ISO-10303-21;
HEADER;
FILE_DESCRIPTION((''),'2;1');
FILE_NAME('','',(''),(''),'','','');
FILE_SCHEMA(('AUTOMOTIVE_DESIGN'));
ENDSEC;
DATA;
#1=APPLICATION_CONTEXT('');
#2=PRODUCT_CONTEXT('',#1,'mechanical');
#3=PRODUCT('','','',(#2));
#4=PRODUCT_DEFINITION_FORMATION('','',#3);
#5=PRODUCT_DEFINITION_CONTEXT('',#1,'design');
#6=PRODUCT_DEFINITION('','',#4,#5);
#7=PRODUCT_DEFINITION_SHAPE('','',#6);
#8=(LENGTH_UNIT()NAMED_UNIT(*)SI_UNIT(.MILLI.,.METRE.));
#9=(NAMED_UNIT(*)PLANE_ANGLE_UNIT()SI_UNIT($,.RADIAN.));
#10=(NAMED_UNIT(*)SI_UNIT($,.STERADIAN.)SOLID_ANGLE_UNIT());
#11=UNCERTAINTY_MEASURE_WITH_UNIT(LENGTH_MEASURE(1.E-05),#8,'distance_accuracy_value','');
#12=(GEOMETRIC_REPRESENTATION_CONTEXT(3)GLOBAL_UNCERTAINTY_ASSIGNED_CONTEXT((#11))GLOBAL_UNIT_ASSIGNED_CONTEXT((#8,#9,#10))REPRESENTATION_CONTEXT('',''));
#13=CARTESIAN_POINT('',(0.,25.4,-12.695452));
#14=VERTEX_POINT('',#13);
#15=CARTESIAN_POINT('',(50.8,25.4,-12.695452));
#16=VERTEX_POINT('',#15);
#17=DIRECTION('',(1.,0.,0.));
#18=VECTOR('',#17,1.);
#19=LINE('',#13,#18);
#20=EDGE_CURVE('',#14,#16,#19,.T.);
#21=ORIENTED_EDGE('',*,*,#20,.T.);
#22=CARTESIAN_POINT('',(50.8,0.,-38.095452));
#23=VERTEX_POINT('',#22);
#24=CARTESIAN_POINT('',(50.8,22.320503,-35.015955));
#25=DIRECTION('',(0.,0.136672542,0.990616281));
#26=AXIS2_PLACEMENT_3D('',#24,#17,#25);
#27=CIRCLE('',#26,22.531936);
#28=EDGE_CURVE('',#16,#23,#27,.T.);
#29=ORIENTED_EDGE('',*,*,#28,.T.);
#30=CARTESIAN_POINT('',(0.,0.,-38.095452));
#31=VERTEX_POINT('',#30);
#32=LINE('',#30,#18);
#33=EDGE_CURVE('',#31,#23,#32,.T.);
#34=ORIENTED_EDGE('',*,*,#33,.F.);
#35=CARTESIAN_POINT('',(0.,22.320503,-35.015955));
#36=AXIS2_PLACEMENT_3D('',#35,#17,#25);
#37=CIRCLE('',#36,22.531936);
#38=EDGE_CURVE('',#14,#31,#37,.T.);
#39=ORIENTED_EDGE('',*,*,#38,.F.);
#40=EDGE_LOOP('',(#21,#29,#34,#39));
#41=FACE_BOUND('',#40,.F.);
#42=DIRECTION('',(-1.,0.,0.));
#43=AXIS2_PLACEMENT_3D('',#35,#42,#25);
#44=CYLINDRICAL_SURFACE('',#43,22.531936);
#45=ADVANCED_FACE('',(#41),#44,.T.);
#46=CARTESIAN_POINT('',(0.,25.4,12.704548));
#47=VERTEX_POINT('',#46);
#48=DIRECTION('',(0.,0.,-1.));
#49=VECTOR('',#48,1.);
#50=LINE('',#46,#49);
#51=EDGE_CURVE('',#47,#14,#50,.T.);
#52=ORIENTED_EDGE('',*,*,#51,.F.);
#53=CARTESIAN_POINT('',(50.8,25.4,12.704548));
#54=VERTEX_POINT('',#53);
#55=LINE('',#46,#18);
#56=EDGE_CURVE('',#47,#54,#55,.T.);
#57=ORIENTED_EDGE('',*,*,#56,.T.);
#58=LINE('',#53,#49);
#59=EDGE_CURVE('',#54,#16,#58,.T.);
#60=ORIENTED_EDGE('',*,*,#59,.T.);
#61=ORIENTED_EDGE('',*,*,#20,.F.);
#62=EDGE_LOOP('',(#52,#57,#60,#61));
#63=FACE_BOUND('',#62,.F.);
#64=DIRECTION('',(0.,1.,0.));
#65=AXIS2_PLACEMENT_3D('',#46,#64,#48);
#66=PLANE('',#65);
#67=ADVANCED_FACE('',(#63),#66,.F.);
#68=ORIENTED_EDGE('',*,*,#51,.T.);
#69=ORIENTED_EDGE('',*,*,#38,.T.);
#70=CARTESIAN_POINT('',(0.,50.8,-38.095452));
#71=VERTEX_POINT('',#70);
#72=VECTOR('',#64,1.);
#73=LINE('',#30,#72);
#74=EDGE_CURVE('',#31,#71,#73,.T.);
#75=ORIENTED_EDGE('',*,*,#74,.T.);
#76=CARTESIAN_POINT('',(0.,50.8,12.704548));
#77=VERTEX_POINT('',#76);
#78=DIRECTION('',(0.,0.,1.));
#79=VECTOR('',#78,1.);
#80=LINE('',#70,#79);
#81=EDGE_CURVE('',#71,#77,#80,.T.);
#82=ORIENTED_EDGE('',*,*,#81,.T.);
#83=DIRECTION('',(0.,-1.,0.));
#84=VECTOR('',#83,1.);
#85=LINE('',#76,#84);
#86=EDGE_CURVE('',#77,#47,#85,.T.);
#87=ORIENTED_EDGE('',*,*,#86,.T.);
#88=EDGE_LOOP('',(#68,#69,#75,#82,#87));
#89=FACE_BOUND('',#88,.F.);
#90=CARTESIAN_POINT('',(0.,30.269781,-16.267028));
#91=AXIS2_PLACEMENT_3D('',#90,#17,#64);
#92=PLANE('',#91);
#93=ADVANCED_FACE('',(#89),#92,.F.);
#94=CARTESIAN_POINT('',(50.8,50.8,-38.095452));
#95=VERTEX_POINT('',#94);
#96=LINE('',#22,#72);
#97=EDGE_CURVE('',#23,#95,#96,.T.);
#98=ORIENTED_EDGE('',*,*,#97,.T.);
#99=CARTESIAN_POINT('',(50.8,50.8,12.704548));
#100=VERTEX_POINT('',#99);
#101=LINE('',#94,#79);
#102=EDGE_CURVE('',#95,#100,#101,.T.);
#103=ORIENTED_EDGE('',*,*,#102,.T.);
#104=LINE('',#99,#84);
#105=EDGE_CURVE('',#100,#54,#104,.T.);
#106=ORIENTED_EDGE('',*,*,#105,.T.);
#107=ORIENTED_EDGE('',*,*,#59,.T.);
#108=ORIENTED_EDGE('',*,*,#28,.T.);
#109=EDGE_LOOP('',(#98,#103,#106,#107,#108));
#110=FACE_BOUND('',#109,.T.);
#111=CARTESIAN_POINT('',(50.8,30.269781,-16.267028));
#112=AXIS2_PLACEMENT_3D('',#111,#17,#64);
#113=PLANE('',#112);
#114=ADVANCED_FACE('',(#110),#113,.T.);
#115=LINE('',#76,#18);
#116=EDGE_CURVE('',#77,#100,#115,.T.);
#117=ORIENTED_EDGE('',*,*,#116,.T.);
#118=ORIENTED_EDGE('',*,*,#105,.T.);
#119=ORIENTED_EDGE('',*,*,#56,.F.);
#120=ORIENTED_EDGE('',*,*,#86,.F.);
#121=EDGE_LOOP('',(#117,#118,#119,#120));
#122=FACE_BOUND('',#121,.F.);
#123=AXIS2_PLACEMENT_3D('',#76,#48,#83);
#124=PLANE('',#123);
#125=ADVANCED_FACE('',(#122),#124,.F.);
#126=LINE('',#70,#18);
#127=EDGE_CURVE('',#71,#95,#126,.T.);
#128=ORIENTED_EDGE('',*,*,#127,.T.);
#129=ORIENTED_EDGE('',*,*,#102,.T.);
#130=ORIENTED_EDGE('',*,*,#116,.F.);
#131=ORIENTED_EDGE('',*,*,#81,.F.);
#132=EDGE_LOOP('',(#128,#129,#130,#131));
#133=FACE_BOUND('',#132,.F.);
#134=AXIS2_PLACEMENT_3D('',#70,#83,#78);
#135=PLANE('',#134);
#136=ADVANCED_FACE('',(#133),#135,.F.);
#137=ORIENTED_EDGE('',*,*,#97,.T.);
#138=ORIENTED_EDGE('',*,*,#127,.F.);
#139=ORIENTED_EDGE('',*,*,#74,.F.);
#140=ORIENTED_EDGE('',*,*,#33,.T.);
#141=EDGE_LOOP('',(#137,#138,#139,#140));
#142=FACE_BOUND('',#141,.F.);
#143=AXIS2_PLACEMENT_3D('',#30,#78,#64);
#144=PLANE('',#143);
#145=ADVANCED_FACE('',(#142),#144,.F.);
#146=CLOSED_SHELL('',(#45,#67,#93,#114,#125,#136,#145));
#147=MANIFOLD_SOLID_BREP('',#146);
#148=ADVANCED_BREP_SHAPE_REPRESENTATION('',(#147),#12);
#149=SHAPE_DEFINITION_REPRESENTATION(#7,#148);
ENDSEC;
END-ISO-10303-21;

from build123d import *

# Parameters (mm, degrees)
F1_DEPTH = 50.8


with BuildPart() as f1:
    # F0 (on Right) → F1 (new body)
    with BuildSketch(Plane.YZ):
        with BuildLine():
            ThreePointArc((25.4, -12.695452), (6.388018, -19.08347), (0, -38.095452))
            Line((0, -38.095452), (50.8, -38.095452))
            Line((50.8, -38.095452), (50.8, 12.704548))
            Line((50.8, 12.704548), (25.4, 12.704548))
            Line((25.4, 12.704548), (25.4, -12.695452))
        make_face()
    extrude(amount=F1_DEPTH)


solid = f1.part
